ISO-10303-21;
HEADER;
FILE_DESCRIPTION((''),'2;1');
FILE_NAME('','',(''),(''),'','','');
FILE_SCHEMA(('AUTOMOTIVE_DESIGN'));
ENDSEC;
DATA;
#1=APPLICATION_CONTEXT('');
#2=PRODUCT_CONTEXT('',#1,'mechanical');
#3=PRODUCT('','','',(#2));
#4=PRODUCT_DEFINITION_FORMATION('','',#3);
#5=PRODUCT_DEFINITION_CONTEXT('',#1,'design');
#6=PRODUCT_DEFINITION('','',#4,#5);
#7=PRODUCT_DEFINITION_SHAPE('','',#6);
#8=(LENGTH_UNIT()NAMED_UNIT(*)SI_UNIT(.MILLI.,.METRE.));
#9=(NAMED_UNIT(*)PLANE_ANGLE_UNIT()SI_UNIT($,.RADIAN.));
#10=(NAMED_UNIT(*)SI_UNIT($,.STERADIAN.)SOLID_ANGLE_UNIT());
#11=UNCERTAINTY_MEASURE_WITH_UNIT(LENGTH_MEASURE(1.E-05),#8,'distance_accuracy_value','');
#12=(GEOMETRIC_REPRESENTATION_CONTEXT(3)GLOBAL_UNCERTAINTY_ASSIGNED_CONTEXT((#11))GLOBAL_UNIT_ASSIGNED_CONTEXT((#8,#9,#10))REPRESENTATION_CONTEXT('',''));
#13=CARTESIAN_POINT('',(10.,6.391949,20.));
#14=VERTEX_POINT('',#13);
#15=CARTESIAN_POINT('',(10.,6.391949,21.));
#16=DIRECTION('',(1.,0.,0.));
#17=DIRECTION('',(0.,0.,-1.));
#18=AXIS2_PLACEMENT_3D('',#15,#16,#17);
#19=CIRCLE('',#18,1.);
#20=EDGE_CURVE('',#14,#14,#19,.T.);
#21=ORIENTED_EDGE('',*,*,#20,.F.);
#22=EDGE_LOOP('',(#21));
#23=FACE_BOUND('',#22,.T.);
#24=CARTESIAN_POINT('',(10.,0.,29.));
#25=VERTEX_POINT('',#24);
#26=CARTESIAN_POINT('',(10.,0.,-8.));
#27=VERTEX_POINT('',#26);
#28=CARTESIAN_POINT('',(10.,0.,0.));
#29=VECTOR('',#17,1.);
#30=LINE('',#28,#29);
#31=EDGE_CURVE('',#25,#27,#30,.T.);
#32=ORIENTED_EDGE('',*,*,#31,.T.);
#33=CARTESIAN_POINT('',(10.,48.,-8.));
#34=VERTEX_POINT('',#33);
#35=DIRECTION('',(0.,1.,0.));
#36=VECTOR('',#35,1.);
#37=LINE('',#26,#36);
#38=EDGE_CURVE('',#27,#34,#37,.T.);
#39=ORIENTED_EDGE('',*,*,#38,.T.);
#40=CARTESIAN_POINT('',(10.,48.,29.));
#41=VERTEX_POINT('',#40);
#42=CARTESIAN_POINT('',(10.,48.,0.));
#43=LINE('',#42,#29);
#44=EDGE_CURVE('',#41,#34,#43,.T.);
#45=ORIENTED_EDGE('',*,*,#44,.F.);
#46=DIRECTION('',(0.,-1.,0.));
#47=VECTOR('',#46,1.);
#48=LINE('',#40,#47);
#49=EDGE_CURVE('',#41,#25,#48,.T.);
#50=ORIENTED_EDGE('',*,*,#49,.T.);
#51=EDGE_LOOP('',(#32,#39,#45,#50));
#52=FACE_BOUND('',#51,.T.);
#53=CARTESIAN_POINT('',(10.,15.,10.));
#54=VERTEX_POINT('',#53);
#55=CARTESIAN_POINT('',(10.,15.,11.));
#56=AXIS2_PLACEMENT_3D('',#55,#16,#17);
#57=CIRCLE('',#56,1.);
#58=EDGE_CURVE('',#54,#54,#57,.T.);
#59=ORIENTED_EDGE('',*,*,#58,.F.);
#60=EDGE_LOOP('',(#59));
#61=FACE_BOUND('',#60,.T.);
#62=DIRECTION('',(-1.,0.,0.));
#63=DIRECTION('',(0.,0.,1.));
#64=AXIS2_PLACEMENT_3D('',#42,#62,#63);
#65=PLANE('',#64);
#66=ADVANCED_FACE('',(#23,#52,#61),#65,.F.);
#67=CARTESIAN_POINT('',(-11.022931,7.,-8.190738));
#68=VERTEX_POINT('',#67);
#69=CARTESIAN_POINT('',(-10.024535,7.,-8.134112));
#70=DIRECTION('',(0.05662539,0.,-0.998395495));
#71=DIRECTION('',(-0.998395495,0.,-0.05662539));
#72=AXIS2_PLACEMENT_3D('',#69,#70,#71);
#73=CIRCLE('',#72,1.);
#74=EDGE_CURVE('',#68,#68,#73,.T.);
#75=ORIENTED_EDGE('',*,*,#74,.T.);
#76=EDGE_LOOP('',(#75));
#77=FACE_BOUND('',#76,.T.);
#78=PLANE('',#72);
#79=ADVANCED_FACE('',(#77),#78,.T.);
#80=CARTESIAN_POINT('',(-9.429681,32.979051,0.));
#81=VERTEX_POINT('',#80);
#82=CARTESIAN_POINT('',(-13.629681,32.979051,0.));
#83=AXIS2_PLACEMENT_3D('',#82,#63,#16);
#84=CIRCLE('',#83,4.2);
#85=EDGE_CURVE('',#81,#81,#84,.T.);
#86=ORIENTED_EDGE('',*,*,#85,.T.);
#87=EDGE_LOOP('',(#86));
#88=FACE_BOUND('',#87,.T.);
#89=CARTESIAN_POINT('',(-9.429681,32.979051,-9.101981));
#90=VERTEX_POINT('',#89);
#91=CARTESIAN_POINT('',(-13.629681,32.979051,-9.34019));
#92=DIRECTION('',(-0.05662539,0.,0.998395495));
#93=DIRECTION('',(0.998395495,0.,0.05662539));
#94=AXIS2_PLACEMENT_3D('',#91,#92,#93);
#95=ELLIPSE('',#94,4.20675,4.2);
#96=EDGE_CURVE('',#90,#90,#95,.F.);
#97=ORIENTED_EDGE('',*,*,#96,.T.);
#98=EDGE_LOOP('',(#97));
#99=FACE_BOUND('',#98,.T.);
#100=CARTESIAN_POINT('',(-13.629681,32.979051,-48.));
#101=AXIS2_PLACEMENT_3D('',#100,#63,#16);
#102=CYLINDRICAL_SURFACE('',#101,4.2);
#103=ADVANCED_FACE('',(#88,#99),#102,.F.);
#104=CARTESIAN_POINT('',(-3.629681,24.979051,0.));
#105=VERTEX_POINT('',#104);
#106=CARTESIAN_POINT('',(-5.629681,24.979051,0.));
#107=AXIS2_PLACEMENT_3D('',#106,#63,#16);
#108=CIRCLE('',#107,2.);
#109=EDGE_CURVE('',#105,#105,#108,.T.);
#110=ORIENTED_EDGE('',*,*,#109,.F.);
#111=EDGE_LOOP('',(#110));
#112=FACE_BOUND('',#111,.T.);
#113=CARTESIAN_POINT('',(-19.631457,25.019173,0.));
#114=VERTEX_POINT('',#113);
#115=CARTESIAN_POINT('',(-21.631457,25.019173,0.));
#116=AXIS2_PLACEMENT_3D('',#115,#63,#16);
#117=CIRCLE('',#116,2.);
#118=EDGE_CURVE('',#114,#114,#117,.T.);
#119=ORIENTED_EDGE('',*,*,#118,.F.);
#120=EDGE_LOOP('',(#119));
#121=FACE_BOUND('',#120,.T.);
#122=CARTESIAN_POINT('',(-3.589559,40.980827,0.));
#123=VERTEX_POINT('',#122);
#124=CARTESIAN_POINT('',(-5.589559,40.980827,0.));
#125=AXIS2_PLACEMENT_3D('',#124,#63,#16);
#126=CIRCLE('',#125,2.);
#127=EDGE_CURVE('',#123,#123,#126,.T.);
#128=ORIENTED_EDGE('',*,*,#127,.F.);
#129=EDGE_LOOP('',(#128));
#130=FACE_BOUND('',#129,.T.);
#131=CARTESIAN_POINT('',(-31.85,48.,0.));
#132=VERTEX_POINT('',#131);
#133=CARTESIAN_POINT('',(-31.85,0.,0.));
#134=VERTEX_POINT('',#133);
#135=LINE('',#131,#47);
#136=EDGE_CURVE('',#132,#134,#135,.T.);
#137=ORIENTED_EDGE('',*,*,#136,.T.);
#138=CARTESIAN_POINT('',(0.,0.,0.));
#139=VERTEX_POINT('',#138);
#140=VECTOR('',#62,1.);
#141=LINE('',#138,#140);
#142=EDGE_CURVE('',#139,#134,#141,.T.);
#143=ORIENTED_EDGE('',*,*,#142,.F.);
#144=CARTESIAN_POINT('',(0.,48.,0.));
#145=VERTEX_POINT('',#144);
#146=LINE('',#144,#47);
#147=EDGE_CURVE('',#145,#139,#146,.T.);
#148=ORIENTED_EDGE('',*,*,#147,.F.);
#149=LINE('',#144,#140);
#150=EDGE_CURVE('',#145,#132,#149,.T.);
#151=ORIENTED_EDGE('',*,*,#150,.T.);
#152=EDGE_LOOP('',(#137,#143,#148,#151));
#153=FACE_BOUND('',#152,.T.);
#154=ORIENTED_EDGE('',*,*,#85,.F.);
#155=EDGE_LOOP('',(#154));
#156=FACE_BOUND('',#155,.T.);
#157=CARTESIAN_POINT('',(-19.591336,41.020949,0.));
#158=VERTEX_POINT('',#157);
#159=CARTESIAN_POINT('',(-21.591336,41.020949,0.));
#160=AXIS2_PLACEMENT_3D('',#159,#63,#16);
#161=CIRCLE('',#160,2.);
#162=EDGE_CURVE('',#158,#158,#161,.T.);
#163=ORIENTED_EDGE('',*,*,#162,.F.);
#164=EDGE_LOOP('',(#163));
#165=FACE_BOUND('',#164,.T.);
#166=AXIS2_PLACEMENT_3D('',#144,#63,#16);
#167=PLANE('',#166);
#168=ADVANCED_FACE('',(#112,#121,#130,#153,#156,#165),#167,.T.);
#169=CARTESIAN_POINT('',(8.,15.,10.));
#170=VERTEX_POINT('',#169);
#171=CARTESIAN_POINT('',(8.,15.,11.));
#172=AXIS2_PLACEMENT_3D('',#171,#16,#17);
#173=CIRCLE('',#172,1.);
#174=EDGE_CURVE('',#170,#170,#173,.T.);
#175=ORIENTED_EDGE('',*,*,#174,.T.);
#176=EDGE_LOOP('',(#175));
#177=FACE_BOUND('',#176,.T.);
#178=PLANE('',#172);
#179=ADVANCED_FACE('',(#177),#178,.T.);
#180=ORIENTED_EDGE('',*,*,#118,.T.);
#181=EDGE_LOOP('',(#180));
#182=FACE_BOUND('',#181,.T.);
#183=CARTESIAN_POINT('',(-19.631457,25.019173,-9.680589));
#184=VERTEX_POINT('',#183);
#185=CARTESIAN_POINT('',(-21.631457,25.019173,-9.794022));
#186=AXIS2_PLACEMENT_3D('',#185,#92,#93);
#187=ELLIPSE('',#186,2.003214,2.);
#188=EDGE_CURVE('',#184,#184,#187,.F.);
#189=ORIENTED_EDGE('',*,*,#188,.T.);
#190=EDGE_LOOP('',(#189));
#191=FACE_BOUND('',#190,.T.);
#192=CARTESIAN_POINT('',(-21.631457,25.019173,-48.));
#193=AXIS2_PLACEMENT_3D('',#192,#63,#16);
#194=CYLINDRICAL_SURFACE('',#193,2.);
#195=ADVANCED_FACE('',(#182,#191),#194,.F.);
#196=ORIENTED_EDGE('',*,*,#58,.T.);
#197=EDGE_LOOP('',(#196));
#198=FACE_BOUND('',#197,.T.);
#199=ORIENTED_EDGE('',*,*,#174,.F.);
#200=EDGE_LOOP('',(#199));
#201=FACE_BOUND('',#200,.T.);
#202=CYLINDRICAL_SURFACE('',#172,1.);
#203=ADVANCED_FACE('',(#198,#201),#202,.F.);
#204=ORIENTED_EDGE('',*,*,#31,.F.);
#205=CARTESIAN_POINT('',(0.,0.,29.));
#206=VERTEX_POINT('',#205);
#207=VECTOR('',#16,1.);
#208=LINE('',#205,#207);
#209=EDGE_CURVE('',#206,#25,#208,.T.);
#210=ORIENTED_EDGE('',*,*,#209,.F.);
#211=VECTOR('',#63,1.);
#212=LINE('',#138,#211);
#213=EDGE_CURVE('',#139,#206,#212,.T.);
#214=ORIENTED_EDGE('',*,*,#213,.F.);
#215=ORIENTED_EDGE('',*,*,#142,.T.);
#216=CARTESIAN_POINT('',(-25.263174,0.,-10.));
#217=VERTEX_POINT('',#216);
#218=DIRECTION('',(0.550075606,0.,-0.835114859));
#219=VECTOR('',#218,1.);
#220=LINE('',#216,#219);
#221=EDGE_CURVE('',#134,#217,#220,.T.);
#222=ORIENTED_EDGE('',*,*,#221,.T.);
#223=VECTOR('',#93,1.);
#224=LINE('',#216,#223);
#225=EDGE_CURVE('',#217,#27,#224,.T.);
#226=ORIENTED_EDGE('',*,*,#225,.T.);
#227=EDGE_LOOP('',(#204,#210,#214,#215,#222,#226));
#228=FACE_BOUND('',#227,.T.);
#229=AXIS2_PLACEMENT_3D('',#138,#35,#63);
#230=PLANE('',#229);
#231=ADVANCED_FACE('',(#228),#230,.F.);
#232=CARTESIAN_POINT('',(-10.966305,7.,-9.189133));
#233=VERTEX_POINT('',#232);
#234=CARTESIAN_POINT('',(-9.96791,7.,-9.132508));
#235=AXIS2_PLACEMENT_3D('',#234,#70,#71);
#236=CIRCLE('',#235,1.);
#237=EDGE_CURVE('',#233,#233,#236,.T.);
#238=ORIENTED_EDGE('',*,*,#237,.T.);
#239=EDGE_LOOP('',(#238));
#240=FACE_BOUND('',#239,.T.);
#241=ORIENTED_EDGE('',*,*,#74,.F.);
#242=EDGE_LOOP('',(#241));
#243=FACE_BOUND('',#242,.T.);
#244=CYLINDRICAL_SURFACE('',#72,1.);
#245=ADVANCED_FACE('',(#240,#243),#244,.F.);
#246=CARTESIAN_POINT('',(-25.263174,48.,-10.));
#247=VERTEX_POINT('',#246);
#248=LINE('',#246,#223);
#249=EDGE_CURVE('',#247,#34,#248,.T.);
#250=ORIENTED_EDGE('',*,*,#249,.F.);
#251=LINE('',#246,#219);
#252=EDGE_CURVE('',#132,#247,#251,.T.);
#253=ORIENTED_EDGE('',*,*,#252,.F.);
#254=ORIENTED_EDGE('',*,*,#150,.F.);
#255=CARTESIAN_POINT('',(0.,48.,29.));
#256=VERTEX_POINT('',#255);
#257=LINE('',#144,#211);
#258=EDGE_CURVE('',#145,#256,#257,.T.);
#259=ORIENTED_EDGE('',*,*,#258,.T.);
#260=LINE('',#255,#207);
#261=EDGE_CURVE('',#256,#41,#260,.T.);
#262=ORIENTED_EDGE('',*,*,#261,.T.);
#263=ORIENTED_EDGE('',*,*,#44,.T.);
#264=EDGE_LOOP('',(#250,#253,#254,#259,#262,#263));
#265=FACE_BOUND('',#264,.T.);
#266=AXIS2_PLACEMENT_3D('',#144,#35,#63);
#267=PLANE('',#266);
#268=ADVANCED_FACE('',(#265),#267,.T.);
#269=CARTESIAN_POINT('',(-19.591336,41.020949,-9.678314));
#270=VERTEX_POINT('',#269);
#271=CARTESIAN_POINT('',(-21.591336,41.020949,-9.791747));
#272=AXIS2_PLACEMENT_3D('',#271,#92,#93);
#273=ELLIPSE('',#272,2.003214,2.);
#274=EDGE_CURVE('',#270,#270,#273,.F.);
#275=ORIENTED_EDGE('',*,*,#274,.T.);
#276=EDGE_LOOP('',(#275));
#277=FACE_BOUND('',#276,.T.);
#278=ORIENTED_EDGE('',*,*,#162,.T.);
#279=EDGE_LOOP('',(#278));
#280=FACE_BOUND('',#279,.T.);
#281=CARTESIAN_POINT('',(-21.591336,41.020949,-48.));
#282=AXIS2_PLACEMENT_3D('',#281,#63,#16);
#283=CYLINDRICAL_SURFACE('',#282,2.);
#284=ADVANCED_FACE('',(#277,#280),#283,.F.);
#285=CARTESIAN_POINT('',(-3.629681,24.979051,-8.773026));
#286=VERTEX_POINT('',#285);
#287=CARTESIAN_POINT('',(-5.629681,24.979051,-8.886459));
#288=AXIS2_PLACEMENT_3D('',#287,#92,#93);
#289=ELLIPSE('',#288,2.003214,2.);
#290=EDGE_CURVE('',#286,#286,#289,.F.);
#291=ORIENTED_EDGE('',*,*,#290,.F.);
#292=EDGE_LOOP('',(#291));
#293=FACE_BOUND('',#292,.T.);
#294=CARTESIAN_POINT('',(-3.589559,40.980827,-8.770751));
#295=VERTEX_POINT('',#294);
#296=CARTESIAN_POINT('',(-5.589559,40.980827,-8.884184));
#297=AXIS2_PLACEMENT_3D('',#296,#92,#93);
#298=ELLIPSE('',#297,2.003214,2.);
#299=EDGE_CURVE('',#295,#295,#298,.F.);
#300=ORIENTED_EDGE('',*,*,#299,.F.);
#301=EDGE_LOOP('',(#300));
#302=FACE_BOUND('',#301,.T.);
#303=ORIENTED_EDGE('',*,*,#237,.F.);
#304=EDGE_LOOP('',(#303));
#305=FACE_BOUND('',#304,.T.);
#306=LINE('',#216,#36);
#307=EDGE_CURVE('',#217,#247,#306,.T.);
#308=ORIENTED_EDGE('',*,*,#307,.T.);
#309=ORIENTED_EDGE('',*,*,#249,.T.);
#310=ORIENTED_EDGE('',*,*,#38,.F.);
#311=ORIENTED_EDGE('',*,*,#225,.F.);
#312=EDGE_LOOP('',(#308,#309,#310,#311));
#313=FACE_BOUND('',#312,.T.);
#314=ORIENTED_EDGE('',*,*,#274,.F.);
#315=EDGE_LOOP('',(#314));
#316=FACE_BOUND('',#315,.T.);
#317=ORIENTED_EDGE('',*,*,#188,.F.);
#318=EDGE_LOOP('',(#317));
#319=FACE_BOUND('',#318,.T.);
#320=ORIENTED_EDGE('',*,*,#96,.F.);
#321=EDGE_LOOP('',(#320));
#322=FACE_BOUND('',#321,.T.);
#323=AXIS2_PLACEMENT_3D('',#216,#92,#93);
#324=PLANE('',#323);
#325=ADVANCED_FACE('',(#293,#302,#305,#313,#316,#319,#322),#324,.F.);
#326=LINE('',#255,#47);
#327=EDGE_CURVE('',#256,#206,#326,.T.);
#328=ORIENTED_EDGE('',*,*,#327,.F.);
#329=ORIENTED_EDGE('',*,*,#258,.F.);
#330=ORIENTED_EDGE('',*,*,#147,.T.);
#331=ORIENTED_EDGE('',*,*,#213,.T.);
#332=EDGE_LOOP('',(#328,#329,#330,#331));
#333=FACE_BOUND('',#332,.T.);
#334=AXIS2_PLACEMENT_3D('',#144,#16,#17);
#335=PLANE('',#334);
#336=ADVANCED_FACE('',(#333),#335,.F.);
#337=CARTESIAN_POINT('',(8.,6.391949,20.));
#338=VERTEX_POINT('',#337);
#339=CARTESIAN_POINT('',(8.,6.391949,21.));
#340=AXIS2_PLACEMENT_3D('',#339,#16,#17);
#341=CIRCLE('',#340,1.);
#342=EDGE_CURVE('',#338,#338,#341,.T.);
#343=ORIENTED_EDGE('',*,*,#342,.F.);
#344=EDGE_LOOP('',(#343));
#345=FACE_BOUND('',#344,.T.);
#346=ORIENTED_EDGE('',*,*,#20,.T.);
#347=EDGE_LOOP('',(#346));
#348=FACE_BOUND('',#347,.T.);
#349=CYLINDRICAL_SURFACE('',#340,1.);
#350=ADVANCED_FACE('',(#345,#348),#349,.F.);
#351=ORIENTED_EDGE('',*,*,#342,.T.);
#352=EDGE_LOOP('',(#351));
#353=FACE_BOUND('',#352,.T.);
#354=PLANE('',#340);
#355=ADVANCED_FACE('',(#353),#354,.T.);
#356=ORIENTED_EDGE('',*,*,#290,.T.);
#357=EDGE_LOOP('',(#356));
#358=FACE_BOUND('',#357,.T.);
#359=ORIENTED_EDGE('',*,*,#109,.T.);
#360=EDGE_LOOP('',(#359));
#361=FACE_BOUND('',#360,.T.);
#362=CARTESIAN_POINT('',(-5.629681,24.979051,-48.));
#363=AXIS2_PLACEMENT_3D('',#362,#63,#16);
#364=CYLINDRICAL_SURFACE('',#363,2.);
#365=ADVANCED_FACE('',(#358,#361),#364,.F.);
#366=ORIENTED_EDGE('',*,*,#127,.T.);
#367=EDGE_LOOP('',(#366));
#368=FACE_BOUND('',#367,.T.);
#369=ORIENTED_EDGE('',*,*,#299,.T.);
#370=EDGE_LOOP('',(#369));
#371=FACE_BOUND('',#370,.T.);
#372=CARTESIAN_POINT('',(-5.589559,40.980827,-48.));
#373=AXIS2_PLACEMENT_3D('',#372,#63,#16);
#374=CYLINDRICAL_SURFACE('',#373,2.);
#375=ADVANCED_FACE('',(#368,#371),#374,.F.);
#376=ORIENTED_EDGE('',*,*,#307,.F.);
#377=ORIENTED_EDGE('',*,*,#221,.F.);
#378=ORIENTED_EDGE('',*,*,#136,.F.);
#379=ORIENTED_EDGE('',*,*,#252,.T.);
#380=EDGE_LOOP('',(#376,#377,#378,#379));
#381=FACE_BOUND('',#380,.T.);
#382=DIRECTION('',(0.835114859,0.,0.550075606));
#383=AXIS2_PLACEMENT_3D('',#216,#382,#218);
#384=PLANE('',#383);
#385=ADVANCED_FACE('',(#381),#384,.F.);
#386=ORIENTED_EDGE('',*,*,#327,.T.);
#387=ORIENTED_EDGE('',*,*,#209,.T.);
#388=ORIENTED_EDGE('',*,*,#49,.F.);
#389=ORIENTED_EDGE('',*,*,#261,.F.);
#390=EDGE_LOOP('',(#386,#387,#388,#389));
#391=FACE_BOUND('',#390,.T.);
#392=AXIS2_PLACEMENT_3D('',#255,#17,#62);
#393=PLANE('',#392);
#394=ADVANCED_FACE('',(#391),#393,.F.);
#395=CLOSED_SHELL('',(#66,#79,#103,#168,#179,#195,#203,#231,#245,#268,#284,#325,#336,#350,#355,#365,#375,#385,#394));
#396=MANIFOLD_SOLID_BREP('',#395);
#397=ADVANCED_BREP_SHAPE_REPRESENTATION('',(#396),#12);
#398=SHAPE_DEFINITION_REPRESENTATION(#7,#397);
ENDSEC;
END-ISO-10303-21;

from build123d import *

# Parameters (mm, degrees)
SKETCH1_W           = 41.85
SKETCH1_H           = 10
SKETCH1_W_2         = 10
SKETCH1_H_2         = 29
BOSS_EXTRUDE1_DEPTH = 48
CUT_EXTRUDE1_DEPTH  = 48
SKETCH4_R           = 2
SKETCH4_R_2         = 4.2
CUT_EXTRUDE2_DEPTH  = 48
CUT_EXTRUDE3_DEPTH  = 48
SKETCH6_R           = 1
CUT_EXTRUDE4_DEPTH  = 2
SKETCH7_R           = 1
CUT_EXTRUDE5_DEPTH  = 1


with BuildPart() as part:
    # Sketch1 → Boss-Extrude1 (new body)
    with BuildSketch(Plane(origin=(0, 0, 0), x_dir=(1, 0, 0), z_dir=(0, 1, 0))):
        with Locations((-10.925, 5)):
            Rectangle(SKETCH1_W, SKETCH1_H)
        with Locations((5, -14.5)):
            Rectangle(SKETCH1_W_2, SKETCH1_H_2)
    extrude(amount=BOSS_EXTRUDE1_DEPTH)

    # Sketch3 → Cut-Extrude1 (cut)
    with BuildSketch(Plane(origin=(0, 48, 0), x_dir=(1, 0, 0), z_dir=(0, 1, 0))):
        Polygon((-31.85, 10), (-25.26317425, 10), (-31.85, 0), align=None)
    extrude(amount=-CUT_EXTRUDE1_DEPTH, mode=Mode.SUBTRACT)

    # Sketch4 → Cut-Extrude2 (cut)
    with BuildSketch(Plane.XY):
        with Locations((-5.589559388, 40.980827232)):
            Circle(SKETCH4_R)
        with Locations((-5.629681083, 24.979051073)):
            Circle(SKETCH4_R)
        with Locations((-21.591335547, 41.020948927)):
            Circle(SKETCH4_R)
        with Locations((-21.631457243, 25.019172768)):
            Circle(SKETCH4_R)
        with Locations((-13.629681083, 32.979051073)):
            Circle(SKETCH4_R_2)
    extrude(amount=-CUT_EXTRUDE2_DEPTH, mode=Mode.SUBTRACT)

    # Sketch5 → Cut-Extrude3 (cut)
    with BuildSketch(Plane(origin=(0, 48, 0), x_dir=(1, 0, 0), z_dir=(0, 1, 0))):
        Polygon((-25.26317425, 10), (10, 8), (10, 10), align=None)
    extrude(amount=-CUT_EXTRUDE3_DEPTH, mode=Mode.SUBTRACT)

    # Sketch6 → Cut-Extrude4 (cut)
    with BuildSketch(Plane(origin=(10, 0, 0), x_dir=(0, 0, -1), z_dir=(1, 0, 0))):
        with Locations((-21, 6.391948522)):
            Circle(SKETCH6_R)
        with Locations((-11, 15)):
            Circle(SKETCH6_R)
    extrude(amount=-CUT_EXTRUDE4_DEPTH, mode=Mode.SUBTRACT)

    # Sketch7 → Cut-Extrude5 (cut)
    with BuildSketch(Plane(origin=(0.484340621, 0, -8.539693864), x_dir=(-0.9983954953921488, 0, -0.056625389894163713), z_dir=(0.056625389894163713, 0, -0.9983954953921488))):
        with Locations((10.469048165, 7)):
            Circle(SKETCH7_R)
    extrude(amount=-CUT_EXTRUDE5_DEPTH, mode=Mode.SUBTRACT)


solid = part.part
